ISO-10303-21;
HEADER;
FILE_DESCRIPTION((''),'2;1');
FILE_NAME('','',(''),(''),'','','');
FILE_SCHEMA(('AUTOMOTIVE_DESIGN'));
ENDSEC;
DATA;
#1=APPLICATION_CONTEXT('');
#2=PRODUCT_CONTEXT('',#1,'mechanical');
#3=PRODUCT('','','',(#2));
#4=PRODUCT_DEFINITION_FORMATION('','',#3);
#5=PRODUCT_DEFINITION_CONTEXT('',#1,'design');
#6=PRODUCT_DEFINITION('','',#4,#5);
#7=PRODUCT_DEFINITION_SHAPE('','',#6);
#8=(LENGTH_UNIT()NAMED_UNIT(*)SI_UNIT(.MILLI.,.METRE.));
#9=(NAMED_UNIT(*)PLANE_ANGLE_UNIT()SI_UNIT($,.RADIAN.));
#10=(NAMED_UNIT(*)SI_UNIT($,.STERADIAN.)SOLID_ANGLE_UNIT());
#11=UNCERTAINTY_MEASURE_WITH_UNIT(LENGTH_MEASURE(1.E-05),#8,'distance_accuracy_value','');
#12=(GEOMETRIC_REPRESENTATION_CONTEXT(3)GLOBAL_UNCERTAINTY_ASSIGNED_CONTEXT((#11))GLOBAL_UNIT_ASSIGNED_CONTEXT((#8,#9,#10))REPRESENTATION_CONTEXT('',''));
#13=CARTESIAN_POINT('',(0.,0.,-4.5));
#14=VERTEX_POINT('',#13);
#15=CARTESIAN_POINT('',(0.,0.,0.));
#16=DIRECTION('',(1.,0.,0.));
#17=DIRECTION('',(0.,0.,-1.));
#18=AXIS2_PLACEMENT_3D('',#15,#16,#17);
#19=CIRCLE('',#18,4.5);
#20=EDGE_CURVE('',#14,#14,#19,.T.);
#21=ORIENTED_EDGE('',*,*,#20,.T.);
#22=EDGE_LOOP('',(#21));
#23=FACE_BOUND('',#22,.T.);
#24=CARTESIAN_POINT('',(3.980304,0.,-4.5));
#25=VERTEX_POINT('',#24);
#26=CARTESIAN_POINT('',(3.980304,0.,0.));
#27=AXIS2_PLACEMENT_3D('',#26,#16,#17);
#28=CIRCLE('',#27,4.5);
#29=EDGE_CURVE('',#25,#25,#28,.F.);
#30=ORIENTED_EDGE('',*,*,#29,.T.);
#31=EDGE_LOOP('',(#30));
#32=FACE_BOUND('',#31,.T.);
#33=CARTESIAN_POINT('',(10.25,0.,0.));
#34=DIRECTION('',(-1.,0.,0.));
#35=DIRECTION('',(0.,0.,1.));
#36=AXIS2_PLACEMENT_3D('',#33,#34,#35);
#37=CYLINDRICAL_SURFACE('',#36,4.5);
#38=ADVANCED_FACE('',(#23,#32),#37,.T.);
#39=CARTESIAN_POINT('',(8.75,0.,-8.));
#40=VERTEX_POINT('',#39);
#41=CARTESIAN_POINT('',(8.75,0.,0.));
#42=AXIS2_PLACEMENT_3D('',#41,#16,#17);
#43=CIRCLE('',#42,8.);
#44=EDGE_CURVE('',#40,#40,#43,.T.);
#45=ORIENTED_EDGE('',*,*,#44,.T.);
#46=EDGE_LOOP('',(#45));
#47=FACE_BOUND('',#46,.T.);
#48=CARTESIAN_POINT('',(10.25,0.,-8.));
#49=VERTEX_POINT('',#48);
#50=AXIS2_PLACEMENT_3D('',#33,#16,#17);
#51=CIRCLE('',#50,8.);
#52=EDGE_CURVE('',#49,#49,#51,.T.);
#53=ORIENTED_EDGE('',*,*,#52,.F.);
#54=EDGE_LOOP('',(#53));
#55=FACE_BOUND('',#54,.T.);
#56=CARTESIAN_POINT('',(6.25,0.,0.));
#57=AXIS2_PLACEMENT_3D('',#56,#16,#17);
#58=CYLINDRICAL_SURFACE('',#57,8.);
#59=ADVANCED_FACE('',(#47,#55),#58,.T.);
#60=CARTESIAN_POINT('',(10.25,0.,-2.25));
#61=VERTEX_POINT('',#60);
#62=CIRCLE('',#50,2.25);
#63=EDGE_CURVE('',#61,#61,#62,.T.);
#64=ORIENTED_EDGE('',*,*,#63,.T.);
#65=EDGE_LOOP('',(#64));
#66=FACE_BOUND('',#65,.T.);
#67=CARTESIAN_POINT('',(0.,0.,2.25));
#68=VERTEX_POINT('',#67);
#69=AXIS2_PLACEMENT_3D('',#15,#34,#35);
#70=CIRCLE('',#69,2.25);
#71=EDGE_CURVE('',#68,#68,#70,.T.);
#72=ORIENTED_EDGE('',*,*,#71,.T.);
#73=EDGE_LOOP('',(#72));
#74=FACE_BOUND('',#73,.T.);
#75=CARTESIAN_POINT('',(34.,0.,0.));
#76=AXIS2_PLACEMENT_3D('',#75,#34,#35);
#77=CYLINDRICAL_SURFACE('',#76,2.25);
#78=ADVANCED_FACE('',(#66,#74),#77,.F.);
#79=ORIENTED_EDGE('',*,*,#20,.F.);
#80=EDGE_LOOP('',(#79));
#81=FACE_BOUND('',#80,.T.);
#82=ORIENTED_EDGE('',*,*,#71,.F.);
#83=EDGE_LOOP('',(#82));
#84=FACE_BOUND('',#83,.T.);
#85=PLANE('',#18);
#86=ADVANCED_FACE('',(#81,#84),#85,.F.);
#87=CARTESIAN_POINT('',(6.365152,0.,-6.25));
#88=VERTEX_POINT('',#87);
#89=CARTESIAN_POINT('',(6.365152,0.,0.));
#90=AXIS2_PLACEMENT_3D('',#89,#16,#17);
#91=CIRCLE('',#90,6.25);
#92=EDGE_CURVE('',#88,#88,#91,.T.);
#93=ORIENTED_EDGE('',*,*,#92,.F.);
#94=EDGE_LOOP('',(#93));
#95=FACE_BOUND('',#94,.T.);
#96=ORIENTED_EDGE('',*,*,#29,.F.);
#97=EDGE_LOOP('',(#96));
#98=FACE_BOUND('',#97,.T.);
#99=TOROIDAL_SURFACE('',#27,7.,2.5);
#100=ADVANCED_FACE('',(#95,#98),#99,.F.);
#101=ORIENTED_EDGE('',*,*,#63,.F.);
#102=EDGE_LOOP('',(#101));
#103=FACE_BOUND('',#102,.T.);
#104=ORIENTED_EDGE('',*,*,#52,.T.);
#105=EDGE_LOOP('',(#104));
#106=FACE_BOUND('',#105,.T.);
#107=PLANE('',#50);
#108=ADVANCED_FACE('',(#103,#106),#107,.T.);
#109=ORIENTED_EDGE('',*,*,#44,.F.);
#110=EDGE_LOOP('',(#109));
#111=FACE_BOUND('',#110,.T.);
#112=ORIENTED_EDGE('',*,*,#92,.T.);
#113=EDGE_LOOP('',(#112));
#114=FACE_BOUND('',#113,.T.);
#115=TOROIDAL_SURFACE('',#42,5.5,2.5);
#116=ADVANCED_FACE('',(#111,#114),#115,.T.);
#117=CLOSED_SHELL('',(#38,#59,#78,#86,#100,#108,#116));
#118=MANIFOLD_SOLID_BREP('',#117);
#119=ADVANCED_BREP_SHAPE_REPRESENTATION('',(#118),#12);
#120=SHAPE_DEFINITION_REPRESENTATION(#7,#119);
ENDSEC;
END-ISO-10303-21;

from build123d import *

# Parameters (mm, degrees)
SKETCH1_R           = 4.5
BOSS_EXTRUDE1_DEPTH = 10.25
SKETCH3_R           = 2.250000008
CUT_EXTRUDE1_DEPTH  = 34
BOSS_EXTRUDE2_START = -4
SKETCH4_R           = 8
SKETCH4_R_2         = 4.5
BOSS_EXTRUDE2_DEPTH = 4
FILLET1_R           = 2.5
FILLET2_R           = 2.5


with BuildPart() as part:
    # Sketch1 → Boss-Extrude1 (new body)
    with BuildSketch(Plane(origin=(0, 0, 0), x_dir=(0, 0, -1), z_dir=(1, 0, 0))):
        Circle(SKETCH1_R)
    extrude(amount=BOSS_EXTRUDE1_DEPTH)

    # Sketch3 → Cut-Extrude1 (cut)
    with BuildSketch(Plane.ZY):
        Circle(SKETCH3_R)
    extrude(amount=-CUT_EXTRUDE1_DEPTH, mode=Mode.SUBTRACT)

    # Sketch4 → Boss-Extrude2 (add)
    with BuildSketch(Plane(origin=(10.25, 0, 0), x_dir=(0, 0, -1), z_dir=(1, 0, 0)).offset(BOSS_EXTRUDE2_START)):
        Circle(SKETCH4_R)
        Circle(SKETCH4_R_2, mode=Mode.SUBTRACT)
    extrude(amount=BOSS_EXTRUDE2_DEPTH)

    # Fillet1
    fillet1_edges = [part.edges().sort_by_distance(p)[0] for p in [
        (6.25, 0, 8),
    ]]
    fillet(fillet1_edges, radius=FILLET1_R)

    # Fillet2
    fillet2_edges = [part.edges().sort_by_distance(p)[0] for p in [
        (6.25, 0, 4.5),
    ]]
    fillet(fillet2_edges, radius=FILLET2_R)


solid = part.part
